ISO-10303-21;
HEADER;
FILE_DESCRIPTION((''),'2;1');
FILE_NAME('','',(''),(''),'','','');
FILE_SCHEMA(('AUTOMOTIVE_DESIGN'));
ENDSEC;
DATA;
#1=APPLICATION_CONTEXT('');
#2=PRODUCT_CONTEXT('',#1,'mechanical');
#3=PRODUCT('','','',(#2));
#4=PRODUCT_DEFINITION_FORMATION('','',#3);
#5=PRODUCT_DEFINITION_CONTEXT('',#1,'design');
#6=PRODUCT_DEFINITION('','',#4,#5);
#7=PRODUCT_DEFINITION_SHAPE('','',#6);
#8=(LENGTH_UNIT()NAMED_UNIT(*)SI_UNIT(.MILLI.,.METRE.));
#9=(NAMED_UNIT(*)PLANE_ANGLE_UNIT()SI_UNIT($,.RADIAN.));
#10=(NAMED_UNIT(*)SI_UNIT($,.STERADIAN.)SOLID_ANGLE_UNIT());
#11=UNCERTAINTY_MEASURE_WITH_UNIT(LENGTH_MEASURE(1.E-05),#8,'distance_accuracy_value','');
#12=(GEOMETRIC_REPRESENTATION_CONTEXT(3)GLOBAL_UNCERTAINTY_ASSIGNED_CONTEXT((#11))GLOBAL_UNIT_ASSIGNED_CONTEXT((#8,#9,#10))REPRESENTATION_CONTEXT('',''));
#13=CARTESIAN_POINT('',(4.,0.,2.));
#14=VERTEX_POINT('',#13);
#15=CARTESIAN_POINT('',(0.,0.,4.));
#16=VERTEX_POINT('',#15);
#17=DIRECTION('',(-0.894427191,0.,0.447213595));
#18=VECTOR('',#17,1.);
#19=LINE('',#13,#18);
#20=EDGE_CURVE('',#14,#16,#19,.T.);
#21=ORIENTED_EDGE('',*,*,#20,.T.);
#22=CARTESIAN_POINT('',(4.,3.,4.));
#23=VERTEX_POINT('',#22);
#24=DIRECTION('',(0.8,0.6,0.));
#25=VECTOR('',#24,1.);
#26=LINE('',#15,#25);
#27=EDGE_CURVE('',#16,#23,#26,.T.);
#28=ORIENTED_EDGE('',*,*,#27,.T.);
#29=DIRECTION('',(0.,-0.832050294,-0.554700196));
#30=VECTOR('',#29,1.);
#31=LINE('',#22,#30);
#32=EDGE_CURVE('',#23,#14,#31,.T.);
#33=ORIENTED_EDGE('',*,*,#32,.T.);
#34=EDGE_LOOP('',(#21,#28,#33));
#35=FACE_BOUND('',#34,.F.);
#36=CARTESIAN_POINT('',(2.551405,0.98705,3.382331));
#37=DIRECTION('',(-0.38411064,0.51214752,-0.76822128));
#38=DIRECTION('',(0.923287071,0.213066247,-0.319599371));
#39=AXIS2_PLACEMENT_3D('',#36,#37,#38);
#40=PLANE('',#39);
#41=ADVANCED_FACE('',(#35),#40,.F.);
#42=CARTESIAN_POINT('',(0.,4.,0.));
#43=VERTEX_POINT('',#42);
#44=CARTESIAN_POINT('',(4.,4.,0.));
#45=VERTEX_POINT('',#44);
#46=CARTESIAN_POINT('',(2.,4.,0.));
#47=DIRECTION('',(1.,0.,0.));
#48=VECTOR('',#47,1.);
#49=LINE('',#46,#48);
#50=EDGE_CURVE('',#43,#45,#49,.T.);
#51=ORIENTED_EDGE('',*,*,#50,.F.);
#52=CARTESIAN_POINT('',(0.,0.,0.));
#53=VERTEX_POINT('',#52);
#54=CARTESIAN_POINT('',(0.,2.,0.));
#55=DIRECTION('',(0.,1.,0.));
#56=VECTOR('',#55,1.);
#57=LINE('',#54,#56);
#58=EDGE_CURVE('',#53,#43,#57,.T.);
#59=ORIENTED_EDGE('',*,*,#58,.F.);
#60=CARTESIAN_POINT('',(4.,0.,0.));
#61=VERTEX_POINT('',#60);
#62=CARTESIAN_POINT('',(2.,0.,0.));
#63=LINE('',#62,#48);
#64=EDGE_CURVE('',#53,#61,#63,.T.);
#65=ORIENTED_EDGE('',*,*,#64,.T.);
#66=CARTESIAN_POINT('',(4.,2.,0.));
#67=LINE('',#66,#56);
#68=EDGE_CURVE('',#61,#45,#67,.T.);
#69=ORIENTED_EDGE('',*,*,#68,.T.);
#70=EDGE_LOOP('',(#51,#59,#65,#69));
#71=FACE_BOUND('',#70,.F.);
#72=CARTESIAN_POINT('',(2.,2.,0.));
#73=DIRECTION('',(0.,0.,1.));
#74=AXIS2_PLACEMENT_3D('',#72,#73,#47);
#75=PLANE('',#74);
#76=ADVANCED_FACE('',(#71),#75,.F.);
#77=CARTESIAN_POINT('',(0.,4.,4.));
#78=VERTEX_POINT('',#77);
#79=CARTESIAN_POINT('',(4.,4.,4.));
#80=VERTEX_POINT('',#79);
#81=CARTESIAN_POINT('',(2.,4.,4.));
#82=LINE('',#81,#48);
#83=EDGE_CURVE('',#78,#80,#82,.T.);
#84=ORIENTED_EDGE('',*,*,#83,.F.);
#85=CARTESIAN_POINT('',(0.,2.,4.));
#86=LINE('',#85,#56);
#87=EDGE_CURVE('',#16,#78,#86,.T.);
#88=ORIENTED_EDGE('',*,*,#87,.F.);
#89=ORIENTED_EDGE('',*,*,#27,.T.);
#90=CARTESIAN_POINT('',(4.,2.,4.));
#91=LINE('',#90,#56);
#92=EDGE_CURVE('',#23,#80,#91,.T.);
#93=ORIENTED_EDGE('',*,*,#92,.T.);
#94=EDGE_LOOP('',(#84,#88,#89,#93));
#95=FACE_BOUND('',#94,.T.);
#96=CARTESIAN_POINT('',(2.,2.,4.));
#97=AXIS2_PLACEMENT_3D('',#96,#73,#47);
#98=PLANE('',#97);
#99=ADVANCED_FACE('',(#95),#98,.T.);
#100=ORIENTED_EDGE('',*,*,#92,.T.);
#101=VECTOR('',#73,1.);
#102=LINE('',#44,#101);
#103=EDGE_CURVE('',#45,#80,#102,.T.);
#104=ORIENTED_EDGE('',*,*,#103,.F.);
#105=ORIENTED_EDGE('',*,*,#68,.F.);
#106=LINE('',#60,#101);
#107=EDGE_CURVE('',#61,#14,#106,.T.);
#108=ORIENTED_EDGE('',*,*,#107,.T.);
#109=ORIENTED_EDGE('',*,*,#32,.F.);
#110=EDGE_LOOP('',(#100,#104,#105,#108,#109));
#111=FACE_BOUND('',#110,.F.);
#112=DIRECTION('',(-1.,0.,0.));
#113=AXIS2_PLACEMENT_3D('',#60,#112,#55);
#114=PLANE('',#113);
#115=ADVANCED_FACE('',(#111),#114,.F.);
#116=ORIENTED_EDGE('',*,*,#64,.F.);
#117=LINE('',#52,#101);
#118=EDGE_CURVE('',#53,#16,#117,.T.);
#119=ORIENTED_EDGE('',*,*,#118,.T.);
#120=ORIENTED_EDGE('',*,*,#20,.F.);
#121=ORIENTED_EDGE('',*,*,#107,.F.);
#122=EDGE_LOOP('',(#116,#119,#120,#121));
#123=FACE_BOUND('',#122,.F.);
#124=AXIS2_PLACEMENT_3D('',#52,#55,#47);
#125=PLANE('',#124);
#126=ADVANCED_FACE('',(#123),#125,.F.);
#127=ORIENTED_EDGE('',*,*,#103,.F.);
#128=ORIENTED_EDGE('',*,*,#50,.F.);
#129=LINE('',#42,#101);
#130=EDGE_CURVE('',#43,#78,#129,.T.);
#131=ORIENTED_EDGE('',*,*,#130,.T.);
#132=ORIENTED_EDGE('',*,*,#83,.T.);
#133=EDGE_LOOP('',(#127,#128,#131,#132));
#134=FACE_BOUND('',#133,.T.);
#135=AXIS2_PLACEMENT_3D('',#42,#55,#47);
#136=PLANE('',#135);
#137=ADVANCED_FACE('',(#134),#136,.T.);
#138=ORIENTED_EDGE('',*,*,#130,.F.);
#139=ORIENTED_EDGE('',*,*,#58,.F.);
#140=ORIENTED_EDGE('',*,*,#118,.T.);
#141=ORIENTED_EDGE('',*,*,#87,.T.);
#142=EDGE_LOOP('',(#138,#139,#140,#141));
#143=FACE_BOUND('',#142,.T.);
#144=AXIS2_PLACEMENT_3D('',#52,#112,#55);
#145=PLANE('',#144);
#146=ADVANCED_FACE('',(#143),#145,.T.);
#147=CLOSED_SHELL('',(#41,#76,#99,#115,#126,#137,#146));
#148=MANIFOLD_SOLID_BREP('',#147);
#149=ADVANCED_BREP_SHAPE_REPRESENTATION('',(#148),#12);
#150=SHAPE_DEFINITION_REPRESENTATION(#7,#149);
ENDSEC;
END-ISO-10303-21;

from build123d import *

# Parameters (mm, degrees)
F0_W     = 4
F0_H     = 4
F1_DEPTH = 4
F5_DEPTH = 25


with BuildPart() as f1:
    # F0 (on Top) → F1 (new body)
    with BuildSketch(Plane.XY):
        with Locations((2, 2)):
            Rectangle(F0_W, F0_H)
    extrude(amount=F1_DEPTH)

    # F4 (on 3pt) → F5 (cut)
    with BuildSketch(Plane(origin=(1.1803278689, -1.5737704918, 2.3606557377), x_dir=(0.9232870715, 0.2130662473, -0.3195993709), z_dir=(-0.3841106398, 0.5121475197, -0.7682212796))):
        Polygon((3.0539495442, -1.1094003925), (-1.2783974836, -2.2188007849), (3.0539495442, -4.7149516679), align=None)
    extrude(amount=-F5_DEPTH, mode=Mode.SUBTRACT)


solid = f1.part
